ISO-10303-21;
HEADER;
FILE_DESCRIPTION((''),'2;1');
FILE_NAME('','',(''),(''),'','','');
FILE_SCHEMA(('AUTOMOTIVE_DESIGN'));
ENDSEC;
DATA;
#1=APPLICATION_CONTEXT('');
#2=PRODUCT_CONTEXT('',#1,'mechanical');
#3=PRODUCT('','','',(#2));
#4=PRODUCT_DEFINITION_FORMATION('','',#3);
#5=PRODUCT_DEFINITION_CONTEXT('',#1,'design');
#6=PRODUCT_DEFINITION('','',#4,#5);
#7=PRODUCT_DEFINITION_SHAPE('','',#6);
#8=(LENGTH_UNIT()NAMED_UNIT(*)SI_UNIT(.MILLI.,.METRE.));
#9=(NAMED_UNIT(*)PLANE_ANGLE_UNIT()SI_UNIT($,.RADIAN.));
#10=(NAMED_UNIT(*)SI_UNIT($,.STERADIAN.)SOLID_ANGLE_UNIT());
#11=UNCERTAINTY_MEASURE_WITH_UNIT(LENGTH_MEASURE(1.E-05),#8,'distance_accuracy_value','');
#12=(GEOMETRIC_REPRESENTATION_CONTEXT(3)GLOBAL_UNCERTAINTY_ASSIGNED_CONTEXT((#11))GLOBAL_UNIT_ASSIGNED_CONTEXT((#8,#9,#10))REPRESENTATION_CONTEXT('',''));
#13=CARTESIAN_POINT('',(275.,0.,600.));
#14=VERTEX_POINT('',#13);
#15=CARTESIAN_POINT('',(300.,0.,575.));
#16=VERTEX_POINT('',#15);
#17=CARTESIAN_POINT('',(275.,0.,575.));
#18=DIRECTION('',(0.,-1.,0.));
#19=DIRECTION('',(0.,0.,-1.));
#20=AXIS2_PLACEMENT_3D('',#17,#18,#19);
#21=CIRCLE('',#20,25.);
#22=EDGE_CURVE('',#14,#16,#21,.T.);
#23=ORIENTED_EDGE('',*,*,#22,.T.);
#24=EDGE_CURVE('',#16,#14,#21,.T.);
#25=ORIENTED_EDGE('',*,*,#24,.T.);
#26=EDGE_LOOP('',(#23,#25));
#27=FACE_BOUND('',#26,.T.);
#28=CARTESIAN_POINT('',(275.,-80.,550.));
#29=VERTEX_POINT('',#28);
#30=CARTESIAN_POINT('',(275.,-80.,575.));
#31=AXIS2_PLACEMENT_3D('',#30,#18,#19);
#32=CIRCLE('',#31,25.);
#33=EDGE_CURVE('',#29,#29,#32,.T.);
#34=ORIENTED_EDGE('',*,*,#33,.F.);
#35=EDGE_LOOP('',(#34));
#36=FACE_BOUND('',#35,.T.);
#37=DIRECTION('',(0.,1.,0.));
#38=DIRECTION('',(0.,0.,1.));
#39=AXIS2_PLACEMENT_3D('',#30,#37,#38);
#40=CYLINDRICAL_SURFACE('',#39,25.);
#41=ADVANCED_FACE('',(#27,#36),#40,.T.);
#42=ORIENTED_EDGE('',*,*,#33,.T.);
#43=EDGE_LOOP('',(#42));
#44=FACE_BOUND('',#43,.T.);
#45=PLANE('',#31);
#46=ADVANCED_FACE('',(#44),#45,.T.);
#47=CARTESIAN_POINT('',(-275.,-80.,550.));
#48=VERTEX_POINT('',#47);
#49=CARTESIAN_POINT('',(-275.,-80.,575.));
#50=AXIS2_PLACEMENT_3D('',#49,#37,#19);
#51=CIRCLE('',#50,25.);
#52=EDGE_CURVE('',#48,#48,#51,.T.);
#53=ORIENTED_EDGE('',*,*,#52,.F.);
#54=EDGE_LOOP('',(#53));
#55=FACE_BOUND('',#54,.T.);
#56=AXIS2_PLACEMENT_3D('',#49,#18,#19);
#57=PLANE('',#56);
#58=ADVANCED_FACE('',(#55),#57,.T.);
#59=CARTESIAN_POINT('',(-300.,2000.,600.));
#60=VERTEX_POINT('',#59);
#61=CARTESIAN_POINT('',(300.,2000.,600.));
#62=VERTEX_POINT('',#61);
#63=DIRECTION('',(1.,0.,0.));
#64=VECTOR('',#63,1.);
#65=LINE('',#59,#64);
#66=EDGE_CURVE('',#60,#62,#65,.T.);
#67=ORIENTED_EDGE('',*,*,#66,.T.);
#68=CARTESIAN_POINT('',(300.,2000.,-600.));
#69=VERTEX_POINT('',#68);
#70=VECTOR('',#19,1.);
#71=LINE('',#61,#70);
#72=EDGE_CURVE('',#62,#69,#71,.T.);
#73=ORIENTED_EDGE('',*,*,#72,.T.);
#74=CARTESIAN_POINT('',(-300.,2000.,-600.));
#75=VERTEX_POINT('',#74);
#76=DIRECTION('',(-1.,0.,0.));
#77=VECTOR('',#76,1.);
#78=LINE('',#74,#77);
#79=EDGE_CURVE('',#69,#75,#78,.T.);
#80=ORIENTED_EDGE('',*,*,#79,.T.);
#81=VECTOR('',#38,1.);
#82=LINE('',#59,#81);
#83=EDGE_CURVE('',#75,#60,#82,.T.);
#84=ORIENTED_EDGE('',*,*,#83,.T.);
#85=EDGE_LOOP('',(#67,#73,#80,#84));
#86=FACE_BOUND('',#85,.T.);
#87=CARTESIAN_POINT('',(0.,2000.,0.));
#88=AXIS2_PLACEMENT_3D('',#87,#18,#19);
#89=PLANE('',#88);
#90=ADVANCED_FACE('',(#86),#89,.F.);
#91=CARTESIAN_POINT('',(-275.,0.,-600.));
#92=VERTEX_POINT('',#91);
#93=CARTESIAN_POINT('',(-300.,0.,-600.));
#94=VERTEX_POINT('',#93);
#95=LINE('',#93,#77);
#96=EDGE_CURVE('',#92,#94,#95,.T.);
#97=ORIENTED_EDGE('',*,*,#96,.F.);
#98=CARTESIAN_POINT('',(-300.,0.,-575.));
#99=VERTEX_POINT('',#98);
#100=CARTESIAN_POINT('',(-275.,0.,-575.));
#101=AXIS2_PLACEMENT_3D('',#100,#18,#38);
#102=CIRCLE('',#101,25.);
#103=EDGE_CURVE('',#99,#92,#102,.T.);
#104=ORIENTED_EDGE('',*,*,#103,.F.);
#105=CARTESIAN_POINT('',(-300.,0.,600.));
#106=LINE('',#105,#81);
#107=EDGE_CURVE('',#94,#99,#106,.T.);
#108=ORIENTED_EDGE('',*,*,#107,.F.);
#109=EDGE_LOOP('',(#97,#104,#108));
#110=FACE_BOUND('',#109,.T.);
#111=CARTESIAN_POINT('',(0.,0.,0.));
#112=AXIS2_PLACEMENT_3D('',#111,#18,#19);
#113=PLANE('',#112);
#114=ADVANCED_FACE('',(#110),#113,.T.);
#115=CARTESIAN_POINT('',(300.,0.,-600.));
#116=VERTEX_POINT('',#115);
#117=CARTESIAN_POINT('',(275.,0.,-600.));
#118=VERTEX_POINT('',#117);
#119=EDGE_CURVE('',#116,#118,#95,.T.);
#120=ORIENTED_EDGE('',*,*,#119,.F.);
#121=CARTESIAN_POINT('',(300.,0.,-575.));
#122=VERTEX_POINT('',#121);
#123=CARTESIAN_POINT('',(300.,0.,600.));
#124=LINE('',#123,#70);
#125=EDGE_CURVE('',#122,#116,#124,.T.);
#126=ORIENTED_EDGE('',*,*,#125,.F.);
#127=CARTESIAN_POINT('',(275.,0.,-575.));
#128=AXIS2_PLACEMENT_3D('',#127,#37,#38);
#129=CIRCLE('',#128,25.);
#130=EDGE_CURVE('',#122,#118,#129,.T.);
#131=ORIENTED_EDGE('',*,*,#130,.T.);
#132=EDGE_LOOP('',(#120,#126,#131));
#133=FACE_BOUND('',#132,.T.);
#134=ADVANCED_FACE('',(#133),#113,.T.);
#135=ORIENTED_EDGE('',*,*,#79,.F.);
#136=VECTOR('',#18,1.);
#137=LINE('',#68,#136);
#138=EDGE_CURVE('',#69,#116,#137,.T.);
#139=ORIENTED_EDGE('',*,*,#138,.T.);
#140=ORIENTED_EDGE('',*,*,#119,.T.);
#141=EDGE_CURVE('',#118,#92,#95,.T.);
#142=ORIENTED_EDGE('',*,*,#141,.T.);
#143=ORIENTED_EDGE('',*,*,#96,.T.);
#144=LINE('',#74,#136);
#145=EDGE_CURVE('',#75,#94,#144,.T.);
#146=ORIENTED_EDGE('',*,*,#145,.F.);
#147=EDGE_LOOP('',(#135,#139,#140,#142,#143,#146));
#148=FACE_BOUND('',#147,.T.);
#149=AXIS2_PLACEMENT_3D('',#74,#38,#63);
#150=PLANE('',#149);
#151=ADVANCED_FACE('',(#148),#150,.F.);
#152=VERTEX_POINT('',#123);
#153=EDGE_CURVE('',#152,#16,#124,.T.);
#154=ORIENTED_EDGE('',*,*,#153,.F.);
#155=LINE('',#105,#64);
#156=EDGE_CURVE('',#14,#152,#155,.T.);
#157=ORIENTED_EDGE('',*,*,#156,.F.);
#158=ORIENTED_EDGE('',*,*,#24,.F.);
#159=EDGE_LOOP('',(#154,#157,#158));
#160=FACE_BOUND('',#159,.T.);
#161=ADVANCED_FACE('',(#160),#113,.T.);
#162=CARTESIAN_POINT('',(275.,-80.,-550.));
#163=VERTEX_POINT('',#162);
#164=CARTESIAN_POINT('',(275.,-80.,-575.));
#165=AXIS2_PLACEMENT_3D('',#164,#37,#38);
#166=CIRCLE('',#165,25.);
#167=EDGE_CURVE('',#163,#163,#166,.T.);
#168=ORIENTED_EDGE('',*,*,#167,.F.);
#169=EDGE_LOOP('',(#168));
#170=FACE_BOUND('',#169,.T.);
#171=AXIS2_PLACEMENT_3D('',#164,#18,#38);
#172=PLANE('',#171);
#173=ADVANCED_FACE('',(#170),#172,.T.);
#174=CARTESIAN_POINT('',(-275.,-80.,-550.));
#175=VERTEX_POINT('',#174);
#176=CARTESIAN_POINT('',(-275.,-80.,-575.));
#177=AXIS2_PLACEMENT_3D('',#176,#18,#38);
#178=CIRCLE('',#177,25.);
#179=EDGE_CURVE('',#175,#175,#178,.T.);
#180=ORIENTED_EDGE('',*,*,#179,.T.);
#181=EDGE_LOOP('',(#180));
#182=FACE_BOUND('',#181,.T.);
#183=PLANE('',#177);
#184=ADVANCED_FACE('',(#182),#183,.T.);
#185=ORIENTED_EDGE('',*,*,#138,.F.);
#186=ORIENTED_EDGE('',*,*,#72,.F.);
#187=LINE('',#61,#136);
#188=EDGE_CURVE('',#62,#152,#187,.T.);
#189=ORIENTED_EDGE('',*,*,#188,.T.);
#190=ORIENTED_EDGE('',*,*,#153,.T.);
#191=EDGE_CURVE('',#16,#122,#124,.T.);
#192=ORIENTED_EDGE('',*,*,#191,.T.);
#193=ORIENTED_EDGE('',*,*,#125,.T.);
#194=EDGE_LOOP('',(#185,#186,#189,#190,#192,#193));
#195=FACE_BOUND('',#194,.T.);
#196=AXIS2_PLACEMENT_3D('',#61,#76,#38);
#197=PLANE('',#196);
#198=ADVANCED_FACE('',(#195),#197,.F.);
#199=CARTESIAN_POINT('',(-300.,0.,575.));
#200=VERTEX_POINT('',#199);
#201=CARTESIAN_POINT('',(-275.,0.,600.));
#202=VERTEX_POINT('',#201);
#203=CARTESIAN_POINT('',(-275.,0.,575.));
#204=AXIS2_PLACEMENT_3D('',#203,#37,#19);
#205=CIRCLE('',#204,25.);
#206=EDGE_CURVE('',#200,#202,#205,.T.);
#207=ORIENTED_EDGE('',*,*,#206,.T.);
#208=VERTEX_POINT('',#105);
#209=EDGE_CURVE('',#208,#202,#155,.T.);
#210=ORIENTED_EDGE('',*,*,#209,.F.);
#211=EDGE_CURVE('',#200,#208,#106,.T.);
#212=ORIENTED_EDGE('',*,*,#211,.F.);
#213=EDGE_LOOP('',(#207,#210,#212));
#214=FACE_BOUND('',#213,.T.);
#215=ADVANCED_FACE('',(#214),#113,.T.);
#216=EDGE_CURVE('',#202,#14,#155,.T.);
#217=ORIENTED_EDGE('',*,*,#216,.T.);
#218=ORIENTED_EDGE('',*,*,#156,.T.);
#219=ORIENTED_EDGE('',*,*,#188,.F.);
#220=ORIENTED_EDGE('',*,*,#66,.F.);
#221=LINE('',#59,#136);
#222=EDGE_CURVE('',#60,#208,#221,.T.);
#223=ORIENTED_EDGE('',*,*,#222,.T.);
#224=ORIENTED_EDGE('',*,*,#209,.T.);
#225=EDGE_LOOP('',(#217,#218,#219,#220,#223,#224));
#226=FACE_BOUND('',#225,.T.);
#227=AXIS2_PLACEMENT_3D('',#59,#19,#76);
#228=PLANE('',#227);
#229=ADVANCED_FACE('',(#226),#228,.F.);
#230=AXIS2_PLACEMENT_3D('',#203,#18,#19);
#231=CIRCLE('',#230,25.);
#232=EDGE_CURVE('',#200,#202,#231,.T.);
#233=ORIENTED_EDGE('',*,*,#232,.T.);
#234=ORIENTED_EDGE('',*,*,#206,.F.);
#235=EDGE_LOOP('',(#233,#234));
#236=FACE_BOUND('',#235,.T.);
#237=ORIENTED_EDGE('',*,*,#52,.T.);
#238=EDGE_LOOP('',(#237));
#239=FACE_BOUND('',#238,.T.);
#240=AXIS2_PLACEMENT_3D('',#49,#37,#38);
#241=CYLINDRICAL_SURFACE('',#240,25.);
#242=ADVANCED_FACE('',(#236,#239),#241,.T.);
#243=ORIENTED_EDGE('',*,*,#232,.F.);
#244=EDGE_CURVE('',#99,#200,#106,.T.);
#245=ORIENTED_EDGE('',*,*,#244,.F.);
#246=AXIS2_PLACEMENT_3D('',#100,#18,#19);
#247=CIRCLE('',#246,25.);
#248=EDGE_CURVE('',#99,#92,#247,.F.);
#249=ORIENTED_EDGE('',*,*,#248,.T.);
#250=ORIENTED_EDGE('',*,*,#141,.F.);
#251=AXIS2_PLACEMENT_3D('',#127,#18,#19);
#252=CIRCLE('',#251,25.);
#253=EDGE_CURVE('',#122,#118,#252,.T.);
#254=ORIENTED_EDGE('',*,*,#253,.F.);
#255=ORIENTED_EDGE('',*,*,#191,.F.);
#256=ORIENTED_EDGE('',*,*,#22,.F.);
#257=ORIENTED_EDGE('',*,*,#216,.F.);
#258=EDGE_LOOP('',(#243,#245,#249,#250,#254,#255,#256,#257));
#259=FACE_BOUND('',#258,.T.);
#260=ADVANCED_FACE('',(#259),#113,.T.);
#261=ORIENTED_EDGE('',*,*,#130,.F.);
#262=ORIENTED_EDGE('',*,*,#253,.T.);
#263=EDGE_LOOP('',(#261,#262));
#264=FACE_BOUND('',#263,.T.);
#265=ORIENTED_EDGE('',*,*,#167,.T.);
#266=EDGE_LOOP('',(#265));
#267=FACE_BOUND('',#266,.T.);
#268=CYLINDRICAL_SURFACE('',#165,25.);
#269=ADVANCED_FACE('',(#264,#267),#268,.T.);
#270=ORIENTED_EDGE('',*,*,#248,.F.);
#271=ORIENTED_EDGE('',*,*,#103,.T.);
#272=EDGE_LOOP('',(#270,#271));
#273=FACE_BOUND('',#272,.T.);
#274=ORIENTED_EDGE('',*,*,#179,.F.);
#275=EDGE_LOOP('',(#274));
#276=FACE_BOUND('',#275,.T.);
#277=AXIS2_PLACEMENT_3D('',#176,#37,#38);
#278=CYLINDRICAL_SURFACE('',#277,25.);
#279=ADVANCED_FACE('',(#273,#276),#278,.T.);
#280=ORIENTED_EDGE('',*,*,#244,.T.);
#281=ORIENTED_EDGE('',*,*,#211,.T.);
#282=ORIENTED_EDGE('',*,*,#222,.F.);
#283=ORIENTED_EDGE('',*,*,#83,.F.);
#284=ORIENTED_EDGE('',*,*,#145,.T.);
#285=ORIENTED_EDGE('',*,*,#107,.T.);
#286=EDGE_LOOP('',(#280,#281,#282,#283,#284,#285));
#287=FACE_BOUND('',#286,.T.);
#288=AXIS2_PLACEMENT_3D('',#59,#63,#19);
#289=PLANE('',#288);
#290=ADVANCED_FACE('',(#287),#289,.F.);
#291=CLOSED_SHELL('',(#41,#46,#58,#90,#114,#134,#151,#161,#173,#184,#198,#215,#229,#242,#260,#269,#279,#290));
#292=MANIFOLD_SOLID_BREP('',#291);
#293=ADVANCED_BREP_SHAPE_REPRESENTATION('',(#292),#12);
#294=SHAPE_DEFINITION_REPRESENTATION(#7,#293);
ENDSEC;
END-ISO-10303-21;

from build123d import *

# Parameters (mm, degrees)
SKETCH_1_W               = 600
SKETCH_1_H               = 1200
EXTRUDE_1_DEPTH          = 2000
SKETCH_2_R               = 25
EXTRUDE_2_DEPTH          = 80
MIRROR_2_COPY_1_SKETCH_R = 25
MIRROR_2_COPY_1_DEPTH    = 80


with BuildPart() as part:
    # 草图1 → 凸台-拉伸1 (new body)
    with BuildSketch(Plane(origin=(0, 0, 0), x_dir=(1, 0, 0), z_dir=(0, 1, 0))):
        Rectangle(SKETCH_1_W, SKETCH_1_H)
    extrude(amount=EXTRUDE_1_DEPTH)

    # 草图2 → 凸台-拉伸2 (add)
    with BuildSketch(Plane.XZ):
        with Locations((275, 575)):
            Circle(SKETCH_2_R)
    extrude_2 = extrude(amount=EXTRUDE_2_DEPTH)

    # 镜向1: 凸台-拉伸2 across plane
    add(extrude_2.mirror(Plane(origin=(0, 0, 0), x_dir=(0, 0, 1), z_dir=(1, 0, 0))))

    # 镜向2: 凸台-拉伸2 across plane
    add(extrude_2.mirror(Plane.XY))

    # 镜向2 copy 1 sketch → 镜向2 copy 1 (add)
    with BuildSketch(Plane(origin=(0, 0, 0), x_dir=(-1, 0, 0), z_dir=(0, -1, 0))):
        with Locations((275, 575)):
            Circle(MIRROR_2_COPY_1_SKETCH_R)
    extrude(amount=MIRROR_2_COPY_1_DEPTH)


solid = part.part
